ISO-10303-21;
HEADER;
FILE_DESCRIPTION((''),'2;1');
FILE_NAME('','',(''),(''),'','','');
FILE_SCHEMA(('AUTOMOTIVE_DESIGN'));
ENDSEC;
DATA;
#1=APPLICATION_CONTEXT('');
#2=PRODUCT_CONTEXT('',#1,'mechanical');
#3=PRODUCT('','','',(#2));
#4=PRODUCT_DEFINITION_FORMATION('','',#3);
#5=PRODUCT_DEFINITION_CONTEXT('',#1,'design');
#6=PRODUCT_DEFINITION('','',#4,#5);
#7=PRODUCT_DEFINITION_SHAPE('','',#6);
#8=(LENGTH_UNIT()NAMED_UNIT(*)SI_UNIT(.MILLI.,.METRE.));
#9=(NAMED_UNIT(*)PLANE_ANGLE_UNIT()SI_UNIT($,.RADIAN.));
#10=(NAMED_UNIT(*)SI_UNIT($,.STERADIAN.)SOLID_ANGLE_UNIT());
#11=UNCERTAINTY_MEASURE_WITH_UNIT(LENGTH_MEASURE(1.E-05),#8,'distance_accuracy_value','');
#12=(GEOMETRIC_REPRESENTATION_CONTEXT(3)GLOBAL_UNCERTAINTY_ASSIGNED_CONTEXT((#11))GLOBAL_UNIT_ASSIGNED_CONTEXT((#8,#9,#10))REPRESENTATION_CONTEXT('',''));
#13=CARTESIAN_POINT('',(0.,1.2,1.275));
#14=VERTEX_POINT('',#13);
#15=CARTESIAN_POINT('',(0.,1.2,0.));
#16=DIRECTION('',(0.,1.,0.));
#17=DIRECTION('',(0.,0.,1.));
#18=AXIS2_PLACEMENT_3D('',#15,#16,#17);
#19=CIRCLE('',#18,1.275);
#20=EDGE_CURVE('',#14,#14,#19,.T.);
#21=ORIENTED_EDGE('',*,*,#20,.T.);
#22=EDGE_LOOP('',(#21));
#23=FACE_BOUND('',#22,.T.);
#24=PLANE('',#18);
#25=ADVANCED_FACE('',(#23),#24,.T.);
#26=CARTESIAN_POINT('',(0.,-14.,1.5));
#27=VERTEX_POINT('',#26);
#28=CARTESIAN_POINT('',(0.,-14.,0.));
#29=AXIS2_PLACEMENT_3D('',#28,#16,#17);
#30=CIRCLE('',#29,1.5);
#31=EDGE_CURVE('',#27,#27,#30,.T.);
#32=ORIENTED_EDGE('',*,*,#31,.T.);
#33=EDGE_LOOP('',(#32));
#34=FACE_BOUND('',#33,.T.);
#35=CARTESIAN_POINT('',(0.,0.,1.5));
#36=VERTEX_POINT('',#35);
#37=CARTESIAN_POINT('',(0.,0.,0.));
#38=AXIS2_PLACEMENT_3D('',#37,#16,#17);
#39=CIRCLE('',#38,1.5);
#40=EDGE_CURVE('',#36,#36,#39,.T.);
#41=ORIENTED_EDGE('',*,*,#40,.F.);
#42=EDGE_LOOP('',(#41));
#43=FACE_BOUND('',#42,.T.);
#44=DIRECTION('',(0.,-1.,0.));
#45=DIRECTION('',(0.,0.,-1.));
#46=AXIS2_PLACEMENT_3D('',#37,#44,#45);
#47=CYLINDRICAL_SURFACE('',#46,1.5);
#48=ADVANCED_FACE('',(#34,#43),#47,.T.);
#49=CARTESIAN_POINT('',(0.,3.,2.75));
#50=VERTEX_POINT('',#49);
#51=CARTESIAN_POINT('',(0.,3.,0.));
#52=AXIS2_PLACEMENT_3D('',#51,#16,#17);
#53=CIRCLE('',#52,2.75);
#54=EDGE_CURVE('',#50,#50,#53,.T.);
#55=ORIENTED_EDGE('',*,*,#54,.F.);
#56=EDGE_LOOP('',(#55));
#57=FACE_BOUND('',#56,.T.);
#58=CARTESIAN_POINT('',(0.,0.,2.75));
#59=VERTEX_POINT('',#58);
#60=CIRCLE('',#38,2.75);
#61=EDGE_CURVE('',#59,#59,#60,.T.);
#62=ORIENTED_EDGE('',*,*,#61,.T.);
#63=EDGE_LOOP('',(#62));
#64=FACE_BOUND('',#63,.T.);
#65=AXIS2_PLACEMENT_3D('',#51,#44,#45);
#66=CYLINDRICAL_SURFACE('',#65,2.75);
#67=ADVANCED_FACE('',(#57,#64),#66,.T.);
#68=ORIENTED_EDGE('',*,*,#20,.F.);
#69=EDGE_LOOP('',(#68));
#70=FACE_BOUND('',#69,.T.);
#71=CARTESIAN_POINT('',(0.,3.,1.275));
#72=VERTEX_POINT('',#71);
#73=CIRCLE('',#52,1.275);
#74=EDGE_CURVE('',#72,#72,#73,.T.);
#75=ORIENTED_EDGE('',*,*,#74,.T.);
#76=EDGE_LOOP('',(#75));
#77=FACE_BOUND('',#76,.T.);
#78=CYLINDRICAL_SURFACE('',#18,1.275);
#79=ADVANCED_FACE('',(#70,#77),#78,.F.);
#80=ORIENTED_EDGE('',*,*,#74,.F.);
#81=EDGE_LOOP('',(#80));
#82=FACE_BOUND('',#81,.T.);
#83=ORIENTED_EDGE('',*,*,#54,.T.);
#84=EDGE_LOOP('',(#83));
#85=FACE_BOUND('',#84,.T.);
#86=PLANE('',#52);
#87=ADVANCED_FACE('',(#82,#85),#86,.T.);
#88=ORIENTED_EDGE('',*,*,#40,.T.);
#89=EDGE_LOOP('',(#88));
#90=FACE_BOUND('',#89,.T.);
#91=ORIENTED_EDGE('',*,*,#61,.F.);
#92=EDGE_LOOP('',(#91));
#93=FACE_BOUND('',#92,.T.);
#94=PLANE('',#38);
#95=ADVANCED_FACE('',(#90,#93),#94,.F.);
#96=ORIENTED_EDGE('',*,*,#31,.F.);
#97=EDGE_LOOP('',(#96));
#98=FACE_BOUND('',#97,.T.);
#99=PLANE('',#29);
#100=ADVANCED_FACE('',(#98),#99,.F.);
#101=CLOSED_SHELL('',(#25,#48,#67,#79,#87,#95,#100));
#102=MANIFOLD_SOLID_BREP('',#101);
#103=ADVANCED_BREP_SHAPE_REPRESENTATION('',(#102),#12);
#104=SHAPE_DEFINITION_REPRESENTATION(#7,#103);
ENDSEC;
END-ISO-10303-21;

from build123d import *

# Parameters (mm, degrees)
SKETCH1_R    = 2.75
HEAD_DEPTH   = 3
SHANK_START  = -14
SKETCH2_R    = 1.5
SHANK_DEPTH  = 14
SOCKET_START = 3
SKETCH3_R    = 1.275
SOCKET_DEPTH = 1.8


with BuildPart() as part:
    # Sketch1 → Head (new body)
    with BuildSketch(Plane(origin=(0, 0, 0), x_dir=(1, 0, 0), z_dir=(0, 1, 0))):
        with Locations(Location((0, 0, 0), (0, 0, 270))):
            Circle(SKETCH1_R)
    extrude(amount=HEAD_DEPTH)

    # Sketch2 → Shank (add)
    with BuildSketch(Plane(origin=(0, 0, 0), x_dir=(1, 0, 0), z_dir=(0, 1, 0)).offset(SHANK_START)):
        with Locations(Location((0, 0, 0), (0, 0, 270))):
            Circle(SKETCH2_R)
    extrude(amount=SHANK_DEPTH)

    # Sketch3 → Socket (cut)
    with BuildSketch(Plane(origin=(0, 0, 0), x_dir=(1, 0, 0), z_dir=(0, 1, 0)).offset(SOCKET_START)):
        with Locations(Location((0, 0, 0), (0, 0, 270))):
            Circle(SKETCH3_R)
    extrude(amount=-SOCKET_DEPTH, mode=Mode.SUBTRACT)


solid = part.part
